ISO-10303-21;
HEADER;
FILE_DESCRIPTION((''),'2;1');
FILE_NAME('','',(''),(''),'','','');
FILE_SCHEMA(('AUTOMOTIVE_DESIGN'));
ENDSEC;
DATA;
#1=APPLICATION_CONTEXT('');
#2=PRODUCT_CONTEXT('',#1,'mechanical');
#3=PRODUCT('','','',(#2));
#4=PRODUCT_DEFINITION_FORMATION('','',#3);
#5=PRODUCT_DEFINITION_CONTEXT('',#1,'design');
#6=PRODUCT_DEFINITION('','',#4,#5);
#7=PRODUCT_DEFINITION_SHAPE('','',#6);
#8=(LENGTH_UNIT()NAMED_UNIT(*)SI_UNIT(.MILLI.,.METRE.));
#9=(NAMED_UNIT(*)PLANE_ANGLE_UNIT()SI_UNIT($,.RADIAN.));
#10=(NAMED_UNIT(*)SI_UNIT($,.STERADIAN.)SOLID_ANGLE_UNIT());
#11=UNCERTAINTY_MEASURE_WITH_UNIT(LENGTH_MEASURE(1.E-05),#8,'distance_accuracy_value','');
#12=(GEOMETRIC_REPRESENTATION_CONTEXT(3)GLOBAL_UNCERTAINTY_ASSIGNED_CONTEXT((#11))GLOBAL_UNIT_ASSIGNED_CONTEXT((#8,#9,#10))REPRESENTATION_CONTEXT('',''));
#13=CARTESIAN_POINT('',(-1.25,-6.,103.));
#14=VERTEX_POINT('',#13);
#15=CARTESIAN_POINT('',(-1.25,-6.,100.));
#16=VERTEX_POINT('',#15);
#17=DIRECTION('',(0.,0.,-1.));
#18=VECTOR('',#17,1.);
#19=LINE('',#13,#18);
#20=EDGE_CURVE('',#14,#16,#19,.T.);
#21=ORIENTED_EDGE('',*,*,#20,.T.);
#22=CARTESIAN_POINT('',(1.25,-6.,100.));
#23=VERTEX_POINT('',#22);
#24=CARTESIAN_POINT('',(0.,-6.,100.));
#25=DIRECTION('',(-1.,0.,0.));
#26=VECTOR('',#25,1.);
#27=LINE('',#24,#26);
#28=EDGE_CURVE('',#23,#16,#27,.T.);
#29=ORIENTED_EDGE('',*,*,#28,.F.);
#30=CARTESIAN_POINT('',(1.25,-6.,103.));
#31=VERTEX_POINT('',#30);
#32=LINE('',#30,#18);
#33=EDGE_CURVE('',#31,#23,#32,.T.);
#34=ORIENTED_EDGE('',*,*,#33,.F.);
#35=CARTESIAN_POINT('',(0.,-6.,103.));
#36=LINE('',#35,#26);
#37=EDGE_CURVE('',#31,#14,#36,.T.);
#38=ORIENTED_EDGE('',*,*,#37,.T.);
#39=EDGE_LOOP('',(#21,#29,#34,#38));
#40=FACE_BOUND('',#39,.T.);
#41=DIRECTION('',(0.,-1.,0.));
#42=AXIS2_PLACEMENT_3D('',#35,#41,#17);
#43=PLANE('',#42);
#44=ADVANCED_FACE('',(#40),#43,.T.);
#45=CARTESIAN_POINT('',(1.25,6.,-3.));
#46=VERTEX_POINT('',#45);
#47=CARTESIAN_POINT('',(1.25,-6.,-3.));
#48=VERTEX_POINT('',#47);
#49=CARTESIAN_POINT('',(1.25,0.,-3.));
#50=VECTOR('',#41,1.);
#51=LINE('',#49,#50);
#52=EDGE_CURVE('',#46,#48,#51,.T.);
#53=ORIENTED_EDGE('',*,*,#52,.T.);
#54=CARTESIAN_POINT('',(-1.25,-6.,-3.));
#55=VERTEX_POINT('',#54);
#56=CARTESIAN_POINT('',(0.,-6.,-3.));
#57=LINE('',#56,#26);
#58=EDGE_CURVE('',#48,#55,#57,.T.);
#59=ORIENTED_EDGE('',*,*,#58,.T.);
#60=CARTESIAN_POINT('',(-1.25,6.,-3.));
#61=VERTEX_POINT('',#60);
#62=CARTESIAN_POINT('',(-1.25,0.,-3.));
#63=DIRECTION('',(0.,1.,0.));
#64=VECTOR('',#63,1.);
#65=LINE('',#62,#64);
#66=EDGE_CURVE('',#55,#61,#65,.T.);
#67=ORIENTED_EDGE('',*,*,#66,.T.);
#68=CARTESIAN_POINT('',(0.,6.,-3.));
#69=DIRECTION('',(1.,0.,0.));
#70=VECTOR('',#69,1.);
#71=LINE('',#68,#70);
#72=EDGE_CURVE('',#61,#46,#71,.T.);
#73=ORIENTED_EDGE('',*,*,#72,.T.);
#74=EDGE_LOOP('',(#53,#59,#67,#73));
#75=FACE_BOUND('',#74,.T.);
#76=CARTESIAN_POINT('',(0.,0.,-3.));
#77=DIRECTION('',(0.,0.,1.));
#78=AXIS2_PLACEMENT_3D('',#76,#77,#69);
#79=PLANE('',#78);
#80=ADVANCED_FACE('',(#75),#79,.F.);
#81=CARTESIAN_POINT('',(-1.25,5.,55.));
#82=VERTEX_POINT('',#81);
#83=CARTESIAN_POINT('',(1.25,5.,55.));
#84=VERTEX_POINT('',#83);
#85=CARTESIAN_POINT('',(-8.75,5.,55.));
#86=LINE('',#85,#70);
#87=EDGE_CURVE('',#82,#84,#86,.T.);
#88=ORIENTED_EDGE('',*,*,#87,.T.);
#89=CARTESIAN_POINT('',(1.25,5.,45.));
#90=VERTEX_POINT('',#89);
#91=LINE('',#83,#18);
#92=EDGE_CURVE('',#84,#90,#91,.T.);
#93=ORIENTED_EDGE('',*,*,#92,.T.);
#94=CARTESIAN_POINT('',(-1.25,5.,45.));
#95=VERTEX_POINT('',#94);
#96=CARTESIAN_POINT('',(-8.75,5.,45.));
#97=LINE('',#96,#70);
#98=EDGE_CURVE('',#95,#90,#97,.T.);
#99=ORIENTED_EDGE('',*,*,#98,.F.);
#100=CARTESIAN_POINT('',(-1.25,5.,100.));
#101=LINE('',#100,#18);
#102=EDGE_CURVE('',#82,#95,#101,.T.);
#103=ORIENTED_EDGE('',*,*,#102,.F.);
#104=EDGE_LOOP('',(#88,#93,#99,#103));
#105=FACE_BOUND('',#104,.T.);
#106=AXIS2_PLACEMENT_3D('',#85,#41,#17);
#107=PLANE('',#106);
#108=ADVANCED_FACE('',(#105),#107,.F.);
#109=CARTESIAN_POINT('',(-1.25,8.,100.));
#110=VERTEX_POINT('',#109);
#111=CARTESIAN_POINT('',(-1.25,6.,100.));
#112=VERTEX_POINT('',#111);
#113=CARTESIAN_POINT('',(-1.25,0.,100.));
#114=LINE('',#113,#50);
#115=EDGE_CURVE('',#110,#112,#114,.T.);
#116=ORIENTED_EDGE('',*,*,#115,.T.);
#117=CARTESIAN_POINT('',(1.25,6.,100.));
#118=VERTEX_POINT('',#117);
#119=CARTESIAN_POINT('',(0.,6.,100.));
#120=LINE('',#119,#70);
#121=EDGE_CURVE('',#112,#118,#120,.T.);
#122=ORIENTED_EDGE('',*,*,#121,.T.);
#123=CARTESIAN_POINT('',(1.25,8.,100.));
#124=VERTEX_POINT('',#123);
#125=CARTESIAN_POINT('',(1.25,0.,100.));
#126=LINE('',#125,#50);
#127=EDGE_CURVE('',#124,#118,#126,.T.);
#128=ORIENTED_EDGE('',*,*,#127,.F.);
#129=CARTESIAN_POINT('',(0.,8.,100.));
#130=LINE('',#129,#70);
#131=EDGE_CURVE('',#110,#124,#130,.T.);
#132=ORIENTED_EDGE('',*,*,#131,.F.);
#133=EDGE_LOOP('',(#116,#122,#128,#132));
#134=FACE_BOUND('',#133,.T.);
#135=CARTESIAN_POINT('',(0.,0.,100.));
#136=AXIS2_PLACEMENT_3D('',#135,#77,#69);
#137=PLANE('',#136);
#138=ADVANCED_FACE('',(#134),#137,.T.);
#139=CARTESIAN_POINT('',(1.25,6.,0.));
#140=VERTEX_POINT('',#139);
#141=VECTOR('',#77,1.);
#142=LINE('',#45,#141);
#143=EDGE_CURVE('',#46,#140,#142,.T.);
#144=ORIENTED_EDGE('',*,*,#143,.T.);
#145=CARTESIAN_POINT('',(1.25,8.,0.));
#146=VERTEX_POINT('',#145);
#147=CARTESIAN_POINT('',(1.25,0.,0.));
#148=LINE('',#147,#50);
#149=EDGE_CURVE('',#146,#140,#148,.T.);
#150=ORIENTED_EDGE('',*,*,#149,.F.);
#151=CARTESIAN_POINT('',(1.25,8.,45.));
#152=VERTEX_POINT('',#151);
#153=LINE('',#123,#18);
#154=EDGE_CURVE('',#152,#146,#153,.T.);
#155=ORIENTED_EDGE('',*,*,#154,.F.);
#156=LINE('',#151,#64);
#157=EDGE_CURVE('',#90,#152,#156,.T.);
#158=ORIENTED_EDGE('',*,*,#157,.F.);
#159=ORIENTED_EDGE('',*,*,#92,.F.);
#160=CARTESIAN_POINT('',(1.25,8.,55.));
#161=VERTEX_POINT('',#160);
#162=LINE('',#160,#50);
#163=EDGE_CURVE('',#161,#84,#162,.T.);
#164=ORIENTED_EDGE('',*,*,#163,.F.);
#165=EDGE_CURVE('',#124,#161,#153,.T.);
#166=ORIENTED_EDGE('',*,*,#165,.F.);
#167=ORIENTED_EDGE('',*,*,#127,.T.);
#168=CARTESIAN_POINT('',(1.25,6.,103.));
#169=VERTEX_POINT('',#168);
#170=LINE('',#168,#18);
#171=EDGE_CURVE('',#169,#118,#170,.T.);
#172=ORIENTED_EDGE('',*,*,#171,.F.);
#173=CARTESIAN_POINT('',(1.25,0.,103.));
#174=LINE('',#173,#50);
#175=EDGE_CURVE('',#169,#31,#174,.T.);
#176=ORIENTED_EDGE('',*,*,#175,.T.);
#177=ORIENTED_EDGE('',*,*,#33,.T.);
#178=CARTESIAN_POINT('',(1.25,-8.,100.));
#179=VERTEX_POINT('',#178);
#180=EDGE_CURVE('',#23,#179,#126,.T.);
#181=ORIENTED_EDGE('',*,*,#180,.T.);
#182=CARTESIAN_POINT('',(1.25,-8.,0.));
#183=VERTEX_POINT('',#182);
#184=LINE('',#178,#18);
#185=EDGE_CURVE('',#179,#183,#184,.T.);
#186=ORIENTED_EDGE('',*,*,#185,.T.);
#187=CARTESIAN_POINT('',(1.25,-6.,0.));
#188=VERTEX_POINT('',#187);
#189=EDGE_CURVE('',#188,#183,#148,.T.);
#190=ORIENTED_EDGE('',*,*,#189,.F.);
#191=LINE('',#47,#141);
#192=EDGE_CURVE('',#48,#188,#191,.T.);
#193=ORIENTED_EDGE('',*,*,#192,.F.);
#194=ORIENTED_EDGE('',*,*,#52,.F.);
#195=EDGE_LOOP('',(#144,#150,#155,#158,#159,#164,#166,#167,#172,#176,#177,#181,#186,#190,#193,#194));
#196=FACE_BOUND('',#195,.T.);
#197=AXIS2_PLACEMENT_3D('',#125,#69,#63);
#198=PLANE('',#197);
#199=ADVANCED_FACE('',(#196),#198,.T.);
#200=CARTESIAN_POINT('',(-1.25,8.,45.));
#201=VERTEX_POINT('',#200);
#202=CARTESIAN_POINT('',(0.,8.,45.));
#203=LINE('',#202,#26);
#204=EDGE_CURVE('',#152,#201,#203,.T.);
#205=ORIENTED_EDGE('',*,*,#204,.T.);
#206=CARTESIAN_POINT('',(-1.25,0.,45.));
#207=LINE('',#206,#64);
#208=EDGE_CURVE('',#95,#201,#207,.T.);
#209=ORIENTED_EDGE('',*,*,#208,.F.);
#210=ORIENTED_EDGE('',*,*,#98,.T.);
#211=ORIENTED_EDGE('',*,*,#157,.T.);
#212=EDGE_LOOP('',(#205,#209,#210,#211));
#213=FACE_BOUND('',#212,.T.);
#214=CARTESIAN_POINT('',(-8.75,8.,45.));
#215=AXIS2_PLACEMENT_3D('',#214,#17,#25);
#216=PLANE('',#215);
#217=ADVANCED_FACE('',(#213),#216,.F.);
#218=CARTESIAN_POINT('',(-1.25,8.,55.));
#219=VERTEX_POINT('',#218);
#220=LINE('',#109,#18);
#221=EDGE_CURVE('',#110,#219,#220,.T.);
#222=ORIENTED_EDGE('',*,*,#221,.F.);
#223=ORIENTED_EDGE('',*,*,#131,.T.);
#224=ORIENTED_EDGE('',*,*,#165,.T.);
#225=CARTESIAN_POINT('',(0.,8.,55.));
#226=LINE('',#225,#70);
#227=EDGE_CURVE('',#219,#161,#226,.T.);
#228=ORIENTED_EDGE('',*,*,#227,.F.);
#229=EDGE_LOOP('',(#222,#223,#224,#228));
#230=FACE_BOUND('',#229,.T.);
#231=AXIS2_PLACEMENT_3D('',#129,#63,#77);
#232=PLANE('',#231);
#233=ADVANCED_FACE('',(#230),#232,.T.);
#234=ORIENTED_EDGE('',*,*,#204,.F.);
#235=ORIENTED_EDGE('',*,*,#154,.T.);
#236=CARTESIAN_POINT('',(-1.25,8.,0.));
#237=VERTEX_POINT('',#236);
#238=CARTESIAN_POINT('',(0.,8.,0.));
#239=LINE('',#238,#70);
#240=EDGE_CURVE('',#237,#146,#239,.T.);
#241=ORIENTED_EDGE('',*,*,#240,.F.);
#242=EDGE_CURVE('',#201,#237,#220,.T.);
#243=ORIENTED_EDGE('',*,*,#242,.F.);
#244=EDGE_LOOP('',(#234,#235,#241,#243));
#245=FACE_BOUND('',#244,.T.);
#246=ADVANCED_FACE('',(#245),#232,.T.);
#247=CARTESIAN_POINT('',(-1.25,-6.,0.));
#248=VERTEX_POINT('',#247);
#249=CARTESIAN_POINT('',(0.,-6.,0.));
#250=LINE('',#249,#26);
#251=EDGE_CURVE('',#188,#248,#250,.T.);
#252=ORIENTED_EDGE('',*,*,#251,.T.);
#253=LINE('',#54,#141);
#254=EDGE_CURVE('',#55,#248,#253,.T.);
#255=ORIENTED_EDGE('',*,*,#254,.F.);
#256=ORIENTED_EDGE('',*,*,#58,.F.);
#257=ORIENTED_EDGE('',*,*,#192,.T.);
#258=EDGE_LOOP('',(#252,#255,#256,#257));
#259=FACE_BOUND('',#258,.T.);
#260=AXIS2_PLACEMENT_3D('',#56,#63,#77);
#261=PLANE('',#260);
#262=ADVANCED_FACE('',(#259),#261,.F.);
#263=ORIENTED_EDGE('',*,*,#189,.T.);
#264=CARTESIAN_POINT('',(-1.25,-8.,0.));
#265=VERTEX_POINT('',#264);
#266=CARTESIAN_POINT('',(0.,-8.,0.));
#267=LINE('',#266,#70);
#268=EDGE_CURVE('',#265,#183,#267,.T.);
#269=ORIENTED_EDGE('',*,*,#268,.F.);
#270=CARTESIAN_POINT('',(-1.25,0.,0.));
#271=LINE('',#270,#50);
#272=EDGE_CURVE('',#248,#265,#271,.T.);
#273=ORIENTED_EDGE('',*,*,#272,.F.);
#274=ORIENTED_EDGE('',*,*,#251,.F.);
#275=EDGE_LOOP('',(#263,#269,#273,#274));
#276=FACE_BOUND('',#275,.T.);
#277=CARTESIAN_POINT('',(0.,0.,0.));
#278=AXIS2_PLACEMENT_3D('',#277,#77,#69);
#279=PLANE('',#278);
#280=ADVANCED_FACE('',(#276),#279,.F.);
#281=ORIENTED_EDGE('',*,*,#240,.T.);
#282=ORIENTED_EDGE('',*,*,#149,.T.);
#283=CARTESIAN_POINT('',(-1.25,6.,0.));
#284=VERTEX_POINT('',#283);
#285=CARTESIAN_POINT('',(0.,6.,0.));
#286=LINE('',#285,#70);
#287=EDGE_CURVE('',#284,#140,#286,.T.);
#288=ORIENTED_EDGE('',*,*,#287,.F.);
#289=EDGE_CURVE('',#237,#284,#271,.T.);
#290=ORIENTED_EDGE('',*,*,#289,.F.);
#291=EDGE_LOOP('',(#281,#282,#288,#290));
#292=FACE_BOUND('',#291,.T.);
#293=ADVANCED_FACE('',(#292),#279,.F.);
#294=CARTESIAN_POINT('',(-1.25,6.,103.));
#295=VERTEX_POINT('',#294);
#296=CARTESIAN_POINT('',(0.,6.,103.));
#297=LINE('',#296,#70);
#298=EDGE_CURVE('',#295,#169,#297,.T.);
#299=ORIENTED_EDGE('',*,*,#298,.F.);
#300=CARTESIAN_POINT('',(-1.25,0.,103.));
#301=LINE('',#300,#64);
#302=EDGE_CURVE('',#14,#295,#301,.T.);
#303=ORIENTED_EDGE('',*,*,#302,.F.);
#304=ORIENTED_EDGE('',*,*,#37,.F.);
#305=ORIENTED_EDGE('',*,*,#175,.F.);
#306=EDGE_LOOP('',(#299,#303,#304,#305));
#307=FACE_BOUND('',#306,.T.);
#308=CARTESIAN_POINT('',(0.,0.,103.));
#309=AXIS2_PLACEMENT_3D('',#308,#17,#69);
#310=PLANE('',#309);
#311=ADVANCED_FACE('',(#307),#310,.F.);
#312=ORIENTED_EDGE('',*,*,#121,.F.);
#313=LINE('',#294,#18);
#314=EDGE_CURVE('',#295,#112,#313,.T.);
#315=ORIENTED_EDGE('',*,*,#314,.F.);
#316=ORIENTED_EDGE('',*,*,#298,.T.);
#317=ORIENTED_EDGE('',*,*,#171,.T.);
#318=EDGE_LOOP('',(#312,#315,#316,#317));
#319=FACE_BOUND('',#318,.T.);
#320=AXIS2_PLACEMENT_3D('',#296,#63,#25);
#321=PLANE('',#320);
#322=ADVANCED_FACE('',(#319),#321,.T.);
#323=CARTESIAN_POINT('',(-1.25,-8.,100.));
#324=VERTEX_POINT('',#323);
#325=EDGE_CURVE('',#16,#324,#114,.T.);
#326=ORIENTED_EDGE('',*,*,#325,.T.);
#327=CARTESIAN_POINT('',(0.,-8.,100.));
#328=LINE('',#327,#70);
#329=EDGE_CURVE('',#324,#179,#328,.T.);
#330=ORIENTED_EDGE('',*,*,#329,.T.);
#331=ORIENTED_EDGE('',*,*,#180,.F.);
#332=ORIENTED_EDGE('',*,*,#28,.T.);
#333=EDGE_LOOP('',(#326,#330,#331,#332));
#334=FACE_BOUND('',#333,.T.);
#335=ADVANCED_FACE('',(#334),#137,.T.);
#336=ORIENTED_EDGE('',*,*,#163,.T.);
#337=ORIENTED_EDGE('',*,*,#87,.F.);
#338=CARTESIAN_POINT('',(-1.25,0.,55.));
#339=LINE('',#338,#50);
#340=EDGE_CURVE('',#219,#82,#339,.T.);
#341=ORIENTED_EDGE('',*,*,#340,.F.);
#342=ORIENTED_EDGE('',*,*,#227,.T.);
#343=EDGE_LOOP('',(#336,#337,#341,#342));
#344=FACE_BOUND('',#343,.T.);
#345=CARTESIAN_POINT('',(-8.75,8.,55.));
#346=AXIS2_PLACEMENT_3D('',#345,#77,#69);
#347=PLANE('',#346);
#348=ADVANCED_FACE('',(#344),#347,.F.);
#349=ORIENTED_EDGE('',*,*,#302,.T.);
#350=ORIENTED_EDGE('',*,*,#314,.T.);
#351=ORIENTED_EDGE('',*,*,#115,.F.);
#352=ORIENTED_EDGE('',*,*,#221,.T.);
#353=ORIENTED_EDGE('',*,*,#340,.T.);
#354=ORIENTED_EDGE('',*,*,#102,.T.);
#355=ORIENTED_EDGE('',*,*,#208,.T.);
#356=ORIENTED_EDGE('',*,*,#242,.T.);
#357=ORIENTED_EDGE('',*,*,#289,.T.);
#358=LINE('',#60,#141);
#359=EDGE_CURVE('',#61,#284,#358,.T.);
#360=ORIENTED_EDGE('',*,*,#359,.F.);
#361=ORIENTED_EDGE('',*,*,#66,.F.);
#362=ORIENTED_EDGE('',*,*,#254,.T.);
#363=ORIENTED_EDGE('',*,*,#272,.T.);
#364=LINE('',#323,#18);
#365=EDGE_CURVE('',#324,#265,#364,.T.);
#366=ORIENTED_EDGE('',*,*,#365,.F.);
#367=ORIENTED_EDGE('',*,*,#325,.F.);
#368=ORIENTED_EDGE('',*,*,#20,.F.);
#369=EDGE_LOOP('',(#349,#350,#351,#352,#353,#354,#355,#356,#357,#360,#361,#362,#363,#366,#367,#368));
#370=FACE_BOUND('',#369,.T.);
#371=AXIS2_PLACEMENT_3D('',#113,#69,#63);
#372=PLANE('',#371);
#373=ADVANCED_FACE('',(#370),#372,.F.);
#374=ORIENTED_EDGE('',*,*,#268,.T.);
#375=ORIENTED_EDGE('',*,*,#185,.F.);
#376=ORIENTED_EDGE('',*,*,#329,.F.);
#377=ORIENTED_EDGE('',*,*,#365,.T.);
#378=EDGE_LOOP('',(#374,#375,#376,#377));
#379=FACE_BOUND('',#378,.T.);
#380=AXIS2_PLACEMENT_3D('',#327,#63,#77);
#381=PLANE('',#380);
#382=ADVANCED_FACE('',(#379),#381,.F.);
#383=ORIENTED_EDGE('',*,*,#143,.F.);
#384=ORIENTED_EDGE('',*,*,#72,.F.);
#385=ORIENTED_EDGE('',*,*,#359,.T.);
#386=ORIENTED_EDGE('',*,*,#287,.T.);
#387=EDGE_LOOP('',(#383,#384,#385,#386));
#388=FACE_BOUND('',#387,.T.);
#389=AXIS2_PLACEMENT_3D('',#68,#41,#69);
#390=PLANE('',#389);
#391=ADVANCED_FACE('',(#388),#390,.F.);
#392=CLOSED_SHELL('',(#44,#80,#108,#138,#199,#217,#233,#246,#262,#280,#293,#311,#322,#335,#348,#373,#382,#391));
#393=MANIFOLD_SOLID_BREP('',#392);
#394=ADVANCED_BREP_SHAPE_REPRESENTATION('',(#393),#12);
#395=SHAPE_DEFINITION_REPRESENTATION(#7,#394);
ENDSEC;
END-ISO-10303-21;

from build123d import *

# Parameters (mm, degrees)
SKETCH1_W           = 2.5
SKETCH1_H           = 16
BOSS_EXTRUDE1_DEPTH = 100
SKETCH1_3_W         = 2.5
SKETCH1_3_H         = 12
BOSS_EXTRUDE2_DEPTH = 3
SKETCH2_W           = 10
SKETCH2_H           = 3
CUT_EXTRUDE1_DEPTH  = 10


with BuildPart() as part:
    # Sketch1 → Boss-Extrude1 (new body)
    with BuildSketch(Plane.XY):
        Rectangle(SKETCH1_W, SKETCH1_H)
    extrude(amount=BOSS_EXTRUDE1_DEPTH)

    # Sketch1<3> → Boss-Extrude2 (add)
    with BuildSketch(Plane.XY):
        Rectangle(SKETCH1_3_W, SKETCH1_3_H)
    boss_extrude2 = extrude(amount=-BOSS_EXTRUDE2_DEPTH)

    # Mirror1: Boss-Extrude2 across plane
    add(boss_extrude2.mirror(Plane(origin=(0, 0, 50), x_dir=(1, 0, 0), z_dir=(0, 0, -1))))

    # Sketch2 → Cut-Extrude1 (cut)
    with BuildSketch(Plane(origin=(1.25, 0, 0), x_dir=(0, 0, -1), z_dir=(1, 0, 0))):
        with Locations((-50, 6.5)):
            Rectangle(SKETCH2_W, SKETCH2_H)
    extrude(amount=-CUT_EXTRUDE1_DEPTH, mode=Mode.SUBTRACT)


solid = part.part
